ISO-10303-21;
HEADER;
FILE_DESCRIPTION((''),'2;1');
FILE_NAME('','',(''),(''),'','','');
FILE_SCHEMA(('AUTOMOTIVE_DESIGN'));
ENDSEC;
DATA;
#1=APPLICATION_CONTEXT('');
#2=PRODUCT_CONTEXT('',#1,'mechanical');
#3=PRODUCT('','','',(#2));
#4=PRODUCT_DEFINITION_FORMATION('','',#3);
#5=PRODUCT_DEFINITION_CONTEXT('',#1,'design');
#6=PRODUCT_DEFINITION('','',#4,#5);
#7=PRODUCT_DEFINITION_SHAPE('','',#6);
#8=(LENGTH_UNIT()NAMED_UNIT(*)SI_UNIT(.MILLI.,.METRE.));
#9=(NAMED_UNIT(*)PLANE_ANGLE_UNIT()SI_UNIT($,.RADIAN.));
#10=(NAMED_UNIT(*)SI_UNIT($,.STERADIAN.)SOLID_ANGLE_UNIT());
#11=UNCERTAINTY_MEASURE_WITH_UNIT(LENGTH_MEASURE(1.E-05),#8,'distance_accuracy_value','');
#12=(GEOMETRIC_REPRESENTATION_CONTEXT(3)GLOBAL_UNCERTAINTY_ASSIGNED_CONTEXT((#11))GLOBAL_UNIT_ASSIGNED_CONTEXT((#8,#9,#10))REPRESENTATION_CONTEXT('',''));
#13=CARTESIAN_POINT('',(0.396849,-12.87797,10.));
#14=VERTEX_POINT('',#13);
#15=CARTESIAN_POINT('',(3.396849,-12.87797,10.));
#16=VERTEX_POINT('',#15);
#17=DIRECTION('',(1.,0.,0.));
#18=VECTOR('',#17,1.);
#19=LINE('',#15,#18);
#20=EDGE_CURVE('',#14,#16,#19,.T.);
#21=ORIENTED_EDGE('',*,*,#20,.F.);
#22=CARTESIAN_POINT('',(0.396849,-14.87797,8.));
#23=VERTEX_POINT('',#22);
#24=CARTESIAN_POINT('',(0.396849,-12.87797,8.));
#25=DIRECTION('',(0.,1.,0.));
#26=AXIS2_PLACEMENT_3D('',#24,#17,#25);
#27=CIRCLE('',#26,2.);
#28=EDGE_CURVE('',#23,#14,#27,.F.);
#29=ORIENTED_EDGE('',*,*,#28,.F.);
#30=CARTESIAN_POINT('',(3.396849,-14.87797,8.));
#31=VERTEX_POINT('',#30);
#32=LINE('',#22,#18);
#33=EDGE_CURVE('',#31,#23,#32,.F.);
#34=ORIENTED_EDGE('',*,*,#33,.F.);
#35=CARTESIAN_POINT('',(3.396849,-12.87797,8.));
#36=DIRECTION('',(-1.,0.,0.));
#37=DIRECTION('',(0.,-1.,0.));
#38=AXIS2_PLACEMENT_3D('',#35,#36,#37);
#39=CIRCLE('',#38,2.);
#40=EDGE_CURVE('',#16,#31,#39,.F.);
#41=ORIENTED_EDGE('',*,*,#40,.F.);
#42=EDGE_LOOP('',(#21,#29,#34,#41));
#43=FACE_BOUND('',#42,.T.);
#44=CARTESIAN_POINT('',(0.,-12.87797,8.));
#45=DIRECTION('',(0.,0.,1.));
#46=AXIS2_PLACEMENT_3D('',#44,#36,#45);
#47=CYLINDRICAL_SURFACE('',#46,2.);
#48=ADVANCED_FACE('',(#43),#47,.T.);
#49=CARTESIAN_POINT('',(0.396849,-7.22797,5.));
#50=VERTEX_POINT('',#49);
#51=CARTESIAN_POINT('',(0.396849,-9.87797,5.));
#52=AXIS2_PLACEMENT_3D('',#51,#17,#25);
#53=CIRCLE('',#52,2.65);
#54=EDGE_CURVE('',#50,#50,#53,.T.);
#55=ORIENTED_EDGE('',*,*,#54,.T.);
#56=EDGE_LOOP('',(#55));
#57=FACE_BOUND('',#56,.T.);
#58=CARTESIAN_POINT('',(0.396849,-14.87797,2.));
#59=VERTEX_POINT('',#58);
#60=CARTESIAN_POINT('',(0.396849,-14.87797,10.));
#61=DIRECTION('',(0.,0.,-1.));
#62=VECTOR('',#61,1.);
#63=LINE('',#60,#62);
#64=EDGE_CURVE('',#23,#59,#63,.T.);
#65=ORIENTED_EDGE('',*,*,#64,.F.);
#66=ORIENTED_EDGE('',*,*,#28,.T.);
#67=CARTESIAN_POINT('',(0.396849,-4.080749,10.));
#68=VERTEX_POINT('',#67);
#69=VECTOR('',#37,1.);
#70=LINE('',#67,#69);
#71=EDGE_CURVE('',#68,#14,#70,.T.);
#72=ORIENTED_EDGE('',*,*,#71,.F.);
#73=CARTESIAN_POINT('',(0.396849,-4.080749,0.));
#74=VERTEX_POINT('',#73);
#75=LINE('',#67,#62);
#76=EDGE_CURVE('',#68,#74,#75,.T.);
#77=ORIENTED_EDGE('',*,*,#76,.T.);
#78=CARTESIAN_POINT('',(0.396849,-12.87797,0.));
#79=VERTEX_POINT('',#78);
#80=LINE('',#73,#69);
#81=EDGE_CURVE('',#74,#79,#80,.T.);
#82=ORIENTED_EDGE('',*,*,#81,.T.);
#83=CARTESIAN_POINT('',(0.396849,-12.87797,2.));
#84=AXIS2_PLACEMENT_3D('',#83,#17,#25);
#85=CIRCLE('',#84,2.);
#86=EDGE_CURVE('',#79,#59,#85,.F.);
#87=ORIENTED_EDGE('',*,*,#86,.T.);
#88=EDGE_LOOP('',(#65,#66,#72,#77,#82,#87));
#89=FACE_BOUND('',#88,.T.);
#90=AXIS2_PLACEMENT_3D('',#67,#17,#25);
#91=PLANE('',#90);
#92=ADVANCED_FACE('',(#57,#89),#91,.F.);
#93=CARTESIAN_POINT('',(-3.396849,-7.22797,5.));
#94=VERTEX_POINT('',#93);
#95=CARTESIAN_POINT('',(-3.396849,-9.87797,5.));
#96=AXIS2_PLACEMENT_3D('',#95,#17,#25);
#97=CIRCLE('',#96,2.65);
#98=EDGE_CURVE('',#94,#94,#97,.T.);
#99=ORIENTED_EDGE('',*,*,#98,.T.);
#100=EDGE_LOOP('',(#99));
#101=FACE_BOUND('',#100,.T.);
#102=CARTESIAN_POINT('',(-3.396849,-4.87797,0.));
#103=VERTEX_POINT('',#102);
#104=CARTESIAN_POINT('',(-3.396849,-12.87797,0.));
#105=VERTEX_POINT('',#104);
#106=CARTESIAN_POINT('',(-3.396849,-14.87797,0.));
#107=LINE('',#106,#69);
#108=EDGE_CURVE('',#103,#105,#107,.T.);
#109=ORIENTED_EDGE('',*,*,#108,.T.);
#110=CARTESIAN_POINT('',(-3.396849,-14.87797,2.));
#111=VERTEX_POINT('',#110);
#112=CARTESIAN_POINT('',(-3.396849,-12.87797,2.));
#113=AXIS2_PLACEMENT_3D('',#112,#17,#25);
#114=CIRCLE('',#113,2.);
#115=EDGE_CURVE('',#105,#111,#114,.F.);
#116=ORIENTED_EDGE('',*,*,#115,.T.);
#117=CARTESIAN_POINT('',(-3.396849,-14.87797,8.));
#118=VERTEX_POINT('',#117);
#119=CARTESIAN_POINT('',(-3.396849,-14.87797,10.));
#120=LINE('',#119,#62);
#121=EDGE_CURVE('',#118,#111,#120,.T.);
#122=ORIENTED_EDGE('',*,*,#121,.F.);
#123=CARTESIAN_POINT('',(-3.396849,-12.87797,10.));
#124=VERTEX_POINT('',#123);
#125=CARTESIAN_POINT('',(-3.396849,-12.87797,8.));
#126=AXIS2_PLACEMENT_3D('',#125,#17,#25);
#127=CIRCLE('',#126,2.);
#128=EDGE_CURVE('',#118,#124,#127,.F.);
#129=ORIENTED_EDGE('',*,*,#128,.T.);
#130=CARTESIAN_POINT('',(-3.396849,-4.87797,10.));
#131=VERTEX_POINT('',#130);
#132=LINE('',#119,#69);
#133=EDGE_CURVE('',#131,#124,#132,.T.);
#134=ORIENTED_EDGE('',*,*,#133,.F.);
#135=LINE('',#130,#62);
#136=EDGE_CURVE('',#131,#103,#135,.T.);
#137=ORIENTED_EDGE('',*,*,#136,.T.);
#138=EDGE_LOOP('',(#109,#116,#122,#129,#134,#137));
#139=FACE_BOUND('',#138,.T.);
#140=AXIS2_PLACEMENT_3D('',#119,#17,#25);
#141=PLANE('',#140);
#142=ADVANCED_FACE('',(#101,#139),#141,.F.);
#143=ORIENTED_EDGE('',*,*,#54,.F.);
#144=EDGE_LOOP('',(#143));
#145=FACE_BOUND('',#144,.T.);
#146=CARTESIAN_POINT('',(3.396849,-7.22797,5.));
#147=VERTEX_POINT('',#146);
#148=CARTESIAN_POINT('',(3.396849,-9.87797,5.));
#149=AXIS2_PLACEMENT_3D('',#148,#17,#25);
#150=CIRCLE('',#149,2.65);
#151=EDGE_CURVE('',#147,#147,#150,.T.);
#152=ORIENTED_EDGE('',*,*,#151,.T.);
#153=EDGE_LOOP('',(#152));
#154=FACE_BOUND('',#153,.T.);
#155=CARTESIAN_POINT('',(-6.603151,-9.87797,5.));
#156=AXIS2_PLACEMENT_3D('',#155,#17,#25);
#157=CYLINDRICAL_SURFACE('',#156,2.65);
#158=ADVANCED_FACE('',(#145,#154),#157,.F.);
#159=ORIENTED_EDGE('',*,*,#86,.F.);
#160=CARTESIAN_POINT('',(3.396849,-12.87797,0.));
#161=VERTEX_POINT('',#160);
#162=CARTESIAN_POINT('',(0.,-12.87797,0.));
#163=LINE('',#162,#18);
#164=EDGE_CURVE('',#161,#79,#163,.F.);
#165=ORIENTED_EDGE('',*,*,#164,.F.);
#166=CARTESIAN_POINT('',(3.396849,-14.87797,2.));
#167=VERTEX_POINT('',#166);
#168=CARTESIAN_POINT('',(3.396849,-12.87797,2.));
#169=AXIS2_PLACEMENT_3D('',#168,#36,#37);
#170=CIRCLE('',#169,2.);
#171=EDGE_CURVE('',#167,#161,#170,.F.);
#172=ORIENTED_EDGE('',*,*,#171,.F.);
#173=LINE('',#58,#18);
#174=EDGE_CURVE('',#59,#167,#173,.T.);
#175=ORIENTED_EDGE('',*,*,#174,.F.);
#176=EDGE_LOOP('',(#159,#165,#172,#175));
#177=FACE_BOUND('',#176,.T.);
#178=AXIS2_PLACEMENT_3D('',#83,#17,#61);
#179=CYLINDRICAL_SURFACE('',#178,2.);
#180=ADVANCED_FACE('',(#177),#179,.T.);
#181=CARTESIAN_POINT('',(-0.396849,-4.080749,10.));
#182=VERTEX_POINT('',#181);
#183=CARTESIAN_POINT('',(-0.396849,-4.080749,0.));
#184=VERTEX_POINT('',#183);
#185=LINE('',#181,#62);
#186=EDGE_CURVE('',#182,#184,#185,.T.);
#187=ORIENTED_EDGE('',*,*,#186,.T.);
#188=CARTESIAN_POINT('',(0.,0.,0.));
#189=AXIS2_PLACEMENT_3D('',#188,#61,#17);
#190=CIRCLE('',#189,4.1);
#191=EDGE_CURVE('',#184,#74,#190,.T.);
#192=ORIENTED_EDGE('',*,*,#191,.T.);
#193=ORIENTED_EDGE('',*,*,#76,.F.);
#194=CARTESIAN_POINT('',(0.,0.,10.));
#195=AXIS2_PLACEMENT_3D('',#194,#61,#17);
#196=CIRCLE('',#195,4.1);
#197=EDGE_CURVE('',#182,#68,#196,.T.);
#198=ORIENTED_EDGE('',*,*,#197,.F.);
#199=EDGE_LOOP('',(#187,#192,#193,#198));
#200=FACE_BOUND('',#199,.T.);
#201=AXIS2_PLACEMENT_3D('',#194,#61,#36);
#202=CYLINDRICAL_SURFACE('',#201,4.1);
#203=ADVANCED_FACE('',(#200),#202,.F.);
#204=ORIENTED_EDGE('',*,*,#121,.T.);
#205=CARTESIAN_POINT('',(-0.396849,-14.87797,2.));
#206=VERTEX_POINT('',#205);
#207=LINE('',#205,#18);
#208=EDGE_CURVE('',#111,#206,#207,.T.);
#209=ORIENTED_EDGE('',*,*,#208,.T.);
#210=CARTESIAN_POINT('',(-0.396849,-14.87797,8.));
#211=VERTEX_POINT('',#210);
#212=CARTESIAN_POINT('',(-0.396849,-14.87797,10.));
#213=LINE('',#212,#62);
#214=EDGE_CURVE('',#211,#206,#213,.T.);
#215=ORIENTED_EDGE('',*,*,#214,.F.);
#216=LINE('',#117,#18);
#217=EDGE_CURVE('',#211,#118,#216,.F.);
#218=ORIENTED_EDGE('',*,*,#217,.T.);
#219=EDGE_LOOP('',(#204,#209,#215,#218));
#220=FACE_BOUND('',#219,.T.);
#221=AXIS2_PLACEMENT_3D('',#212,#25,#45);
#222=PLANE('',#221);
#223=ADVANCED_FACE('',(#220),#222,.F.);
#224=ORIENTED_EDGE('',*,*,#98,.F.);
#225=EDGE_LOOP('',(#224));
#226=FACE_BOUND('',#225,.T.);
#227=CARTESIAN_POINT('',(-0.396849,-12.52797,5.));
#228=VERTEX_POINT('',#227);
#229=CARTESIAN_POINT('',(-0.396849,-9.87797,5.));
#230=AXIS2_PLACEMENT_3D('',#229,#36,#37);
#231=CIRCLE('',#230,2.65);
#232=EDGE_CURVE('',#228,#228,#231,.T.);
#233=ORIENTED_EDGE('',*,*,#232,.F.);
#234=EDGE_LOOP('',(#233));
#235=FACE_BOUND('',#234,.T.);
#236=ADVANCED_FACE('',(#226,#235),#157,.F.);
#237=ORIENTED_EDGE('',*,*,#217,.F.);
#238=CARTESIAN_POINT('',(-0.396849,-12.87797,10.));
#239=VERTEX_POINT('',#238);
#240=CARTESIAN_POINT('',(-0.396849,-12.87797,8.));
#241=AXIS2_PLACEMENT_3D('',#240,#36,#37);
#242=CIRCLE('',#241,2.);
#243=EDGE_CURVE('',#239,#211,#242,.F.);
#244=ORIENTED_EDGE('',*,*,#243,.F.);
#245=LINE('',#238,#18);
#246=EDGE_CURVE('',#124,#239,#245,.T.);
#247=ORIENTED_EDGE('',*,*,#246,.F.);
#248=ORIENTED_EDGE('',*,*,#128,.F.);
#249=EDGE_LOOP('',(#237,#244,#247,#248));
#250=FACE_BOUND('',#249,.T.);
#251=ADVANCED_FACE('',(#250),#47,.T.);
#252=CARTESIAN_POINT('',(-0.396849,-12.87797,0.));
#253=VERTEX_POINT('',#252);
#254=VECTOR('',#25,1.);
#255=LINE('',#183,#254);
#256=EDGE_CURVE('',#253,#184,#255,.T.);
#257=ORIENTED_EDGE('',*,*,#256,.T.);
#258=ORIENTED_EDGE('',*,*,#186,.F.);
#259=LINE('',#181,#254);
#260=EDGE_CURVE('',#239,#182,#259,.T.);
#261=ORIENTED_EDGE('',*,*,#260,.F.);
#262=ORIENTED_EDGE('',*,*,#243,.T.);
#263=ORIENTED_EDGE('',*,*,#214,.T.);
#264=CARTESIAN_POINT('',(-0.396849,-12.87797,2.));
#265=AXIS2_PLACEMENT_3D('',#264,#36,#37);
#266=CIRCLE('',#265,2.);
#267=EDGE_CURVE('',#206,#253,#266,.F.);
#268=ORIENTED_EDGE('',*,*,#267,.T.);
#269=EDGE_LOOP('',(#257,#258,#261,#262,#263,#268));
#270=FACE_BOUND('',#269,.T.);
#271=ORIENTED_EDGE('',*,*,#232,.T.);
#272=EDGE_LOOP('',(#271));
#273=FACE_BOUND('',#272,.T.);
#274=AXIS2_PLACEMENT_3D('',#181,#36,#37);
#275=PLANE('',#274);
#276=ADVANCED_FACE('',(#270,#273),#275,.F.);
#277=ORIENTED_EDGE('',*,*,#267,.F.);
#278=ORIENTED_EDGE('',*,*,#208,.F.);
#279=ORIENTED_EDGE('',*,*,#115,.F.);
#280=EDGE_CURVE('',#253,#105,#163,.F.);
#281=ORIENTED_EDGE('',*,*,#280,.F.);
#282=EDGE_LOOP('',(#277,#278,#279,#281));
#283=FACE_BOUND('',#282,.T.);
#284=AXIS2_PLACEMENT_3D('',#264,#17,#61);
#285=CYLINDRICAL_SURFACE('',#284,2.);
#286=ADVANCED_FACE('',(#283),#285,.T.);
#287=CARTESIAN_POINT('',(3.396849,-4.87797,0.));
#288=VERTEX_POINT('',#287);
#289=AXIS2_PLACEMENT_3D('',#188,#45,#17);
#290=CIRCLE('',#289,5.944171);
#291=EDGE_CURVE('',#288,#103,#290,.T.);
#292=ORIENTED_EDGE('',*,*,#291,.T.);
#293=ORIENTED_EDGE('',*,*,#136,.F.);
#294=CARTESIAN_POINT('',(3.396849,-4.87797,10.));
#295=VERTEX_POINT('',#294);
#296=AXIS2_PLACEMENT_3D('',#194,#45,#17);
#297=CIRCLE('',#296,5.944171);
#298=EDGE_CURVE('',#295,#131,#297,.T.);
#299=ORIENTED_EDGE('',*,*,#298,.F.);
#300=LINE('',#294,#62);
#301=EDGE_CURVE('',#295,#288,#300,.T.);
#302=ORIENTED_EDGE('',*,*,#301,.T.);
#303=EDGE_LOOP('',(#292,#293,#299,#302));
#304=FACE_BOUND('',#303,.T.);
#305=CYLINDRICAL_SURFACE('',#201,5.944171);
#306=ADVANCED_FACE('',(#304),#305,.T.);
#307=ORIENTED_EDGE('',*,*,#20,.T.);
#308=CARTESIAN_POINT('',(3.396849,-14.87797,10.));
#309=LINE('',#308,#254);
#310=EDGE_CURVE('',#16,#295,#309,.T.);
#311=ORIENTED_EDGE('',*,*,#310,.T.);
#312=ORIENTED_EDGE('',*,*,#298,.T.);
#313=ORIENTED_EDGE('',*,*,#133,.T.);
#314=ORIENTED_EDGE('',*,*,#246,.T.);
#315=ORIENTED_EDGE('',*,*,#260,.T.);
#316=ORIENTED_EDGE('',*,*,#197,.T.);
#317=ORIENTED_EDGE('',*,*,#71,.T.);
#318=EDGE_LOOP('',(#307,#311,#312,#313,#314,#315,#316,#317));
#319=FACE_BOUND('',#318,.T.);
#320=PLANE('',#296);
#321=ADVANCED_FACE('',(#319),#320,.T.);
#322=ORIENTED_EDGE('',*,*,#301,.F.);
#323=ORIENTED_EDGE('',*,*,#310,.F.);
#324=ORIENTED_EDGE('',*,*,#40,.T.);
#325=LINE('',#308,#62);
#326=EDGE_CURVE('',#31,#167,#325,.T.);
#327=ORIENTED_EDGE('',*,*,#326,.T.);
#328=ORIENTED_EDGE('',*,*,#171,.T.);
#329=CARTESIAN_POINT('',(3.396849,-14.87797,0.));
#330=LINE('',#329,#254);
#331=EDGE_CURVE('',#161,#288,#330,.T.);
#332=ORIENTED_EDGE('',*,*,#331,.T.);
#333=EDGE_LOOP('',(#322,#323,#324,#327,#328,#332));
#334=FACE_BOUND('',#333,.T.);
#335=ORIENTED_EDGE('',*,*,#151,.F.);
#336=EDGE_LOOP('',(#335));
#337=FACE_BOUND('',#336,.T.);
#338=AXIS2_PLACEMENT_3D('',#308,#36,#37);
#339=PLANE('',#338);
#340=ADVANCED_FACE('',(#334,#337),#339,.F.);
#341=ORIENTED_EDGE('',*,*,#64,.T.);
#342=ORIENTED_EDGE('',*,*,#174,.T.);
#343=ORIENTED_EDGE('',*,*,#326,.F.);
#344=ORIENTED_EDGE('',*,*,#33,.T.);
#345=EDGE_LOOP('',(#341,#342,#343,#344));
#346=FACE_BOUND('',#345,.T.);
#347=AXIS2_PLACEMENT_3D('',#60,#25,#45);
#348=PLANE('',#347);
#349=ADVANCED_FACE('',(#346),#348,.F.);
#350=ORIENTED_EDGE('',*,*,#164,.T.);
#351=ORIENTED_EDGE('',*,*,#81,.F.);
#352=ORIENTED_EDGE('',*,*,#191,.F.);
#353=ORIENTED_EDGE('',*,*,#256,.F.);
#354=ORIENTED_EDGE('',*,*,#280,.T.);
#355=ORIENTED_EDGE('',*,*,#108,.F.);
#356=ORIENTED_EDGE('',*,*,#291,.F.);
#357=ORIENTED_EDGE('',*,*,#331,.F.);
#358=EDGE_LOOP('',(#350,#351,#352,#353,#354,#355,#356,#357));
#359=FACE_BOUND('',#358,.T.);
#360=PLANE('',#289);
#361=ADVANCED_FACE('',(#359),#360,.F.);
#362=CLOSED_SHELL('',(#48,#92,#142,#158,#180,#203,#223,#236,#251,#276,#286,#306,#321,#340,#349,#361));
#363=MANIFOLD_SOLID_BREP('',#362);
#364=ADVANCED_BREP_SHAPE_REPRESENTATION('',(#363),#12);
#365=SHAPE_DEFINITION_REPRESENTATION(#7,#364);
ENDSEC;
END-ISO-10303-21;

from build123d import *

# Parameters (mm, degrees)
BOSS_EXTRUDE1_DEPTH = 10
CUT_EXTRUDE1_DEPTH  = 10
FILLET1_R           = 2


with BuildPart() as part:
    # Sketch1 → Boss-Extrude1 (new body)
    with BuildSketch(Plane.XY):
        with BuildLine():
            Line((-0.39684881, -4.080748831), (-0.39684881, -14.87796999))
            Line((-0.39684881, -14.87796999), (-3.39684881, -14.87796999))
            Line((-3.39684881, -14.87796999), (-3.39684881, -4.87796999))
            ThreePointArc((-3.39684881, -4.87796999), (0, 5.944171352), (3.39684881, -4.87796999))
            Line((3.39684881, -4.87796999), (3.39684881, -14.87796999))
            Line((3.39684881, -14.87796999), (0.39684881, -14.87796999))
            Line((0.39684881, -14.87796999), (0.39684881, -4.080748831))
            ThreePointArc((0.39684881, -4.080748831), (0, 4.1), (-0.39684881, -4.080748831))
        make_face()
    extrude(amount=BOSS_EXTRUDE1_DEPTH)

    # Sketch2 → Cut-Extrude1 (cut)
    with BuildSketch(Plane(origin=(3.39684881, 0, 0), x_dir=(0, 0, -1), z_dir=(1, 0, 0))):
        with BuildLine():
            ThreePointArc((-3.12616703, -8.004137019), (-6.87383297, -8.004137019), (-6.87383297, -11.75180296))
            Line((-6.87383297, -11.75180296), (-3.12616703, -8.004137019))
        make_face()
        with BuildLine():
            Line((-3.12616703, -8.004137019), (-6.87383297, -11.75180296))
            ThreePointArc((-6.87383297, -11.75180296), (-3.985888904, -12.326250751), (-2.35, -9.87796999))
            ThreePointArc((-2.35, -9.87796999), (-2.551719239, -8.863858894), (-3.12616703, -8.004137019))
        make_face()
    extrude(amount=-CUT_EXTRUDE1_DEPTH, mode=Mode.SUBTRACT)

    # Fillet1
    fillet1_edges = [part.edges().sort_by_distance(p)[0] for p in [
        (1.89684881, -14.87796999, 0),
        (1.89684881, -14.87796999, 10),
        (-1.89684881, -14.87796999, 10),
        (-1.89684881, -14.87796999, 0),
    ]]
    fillet(fillet1_edges, radius=FILLET1_R)


solid = part.part
